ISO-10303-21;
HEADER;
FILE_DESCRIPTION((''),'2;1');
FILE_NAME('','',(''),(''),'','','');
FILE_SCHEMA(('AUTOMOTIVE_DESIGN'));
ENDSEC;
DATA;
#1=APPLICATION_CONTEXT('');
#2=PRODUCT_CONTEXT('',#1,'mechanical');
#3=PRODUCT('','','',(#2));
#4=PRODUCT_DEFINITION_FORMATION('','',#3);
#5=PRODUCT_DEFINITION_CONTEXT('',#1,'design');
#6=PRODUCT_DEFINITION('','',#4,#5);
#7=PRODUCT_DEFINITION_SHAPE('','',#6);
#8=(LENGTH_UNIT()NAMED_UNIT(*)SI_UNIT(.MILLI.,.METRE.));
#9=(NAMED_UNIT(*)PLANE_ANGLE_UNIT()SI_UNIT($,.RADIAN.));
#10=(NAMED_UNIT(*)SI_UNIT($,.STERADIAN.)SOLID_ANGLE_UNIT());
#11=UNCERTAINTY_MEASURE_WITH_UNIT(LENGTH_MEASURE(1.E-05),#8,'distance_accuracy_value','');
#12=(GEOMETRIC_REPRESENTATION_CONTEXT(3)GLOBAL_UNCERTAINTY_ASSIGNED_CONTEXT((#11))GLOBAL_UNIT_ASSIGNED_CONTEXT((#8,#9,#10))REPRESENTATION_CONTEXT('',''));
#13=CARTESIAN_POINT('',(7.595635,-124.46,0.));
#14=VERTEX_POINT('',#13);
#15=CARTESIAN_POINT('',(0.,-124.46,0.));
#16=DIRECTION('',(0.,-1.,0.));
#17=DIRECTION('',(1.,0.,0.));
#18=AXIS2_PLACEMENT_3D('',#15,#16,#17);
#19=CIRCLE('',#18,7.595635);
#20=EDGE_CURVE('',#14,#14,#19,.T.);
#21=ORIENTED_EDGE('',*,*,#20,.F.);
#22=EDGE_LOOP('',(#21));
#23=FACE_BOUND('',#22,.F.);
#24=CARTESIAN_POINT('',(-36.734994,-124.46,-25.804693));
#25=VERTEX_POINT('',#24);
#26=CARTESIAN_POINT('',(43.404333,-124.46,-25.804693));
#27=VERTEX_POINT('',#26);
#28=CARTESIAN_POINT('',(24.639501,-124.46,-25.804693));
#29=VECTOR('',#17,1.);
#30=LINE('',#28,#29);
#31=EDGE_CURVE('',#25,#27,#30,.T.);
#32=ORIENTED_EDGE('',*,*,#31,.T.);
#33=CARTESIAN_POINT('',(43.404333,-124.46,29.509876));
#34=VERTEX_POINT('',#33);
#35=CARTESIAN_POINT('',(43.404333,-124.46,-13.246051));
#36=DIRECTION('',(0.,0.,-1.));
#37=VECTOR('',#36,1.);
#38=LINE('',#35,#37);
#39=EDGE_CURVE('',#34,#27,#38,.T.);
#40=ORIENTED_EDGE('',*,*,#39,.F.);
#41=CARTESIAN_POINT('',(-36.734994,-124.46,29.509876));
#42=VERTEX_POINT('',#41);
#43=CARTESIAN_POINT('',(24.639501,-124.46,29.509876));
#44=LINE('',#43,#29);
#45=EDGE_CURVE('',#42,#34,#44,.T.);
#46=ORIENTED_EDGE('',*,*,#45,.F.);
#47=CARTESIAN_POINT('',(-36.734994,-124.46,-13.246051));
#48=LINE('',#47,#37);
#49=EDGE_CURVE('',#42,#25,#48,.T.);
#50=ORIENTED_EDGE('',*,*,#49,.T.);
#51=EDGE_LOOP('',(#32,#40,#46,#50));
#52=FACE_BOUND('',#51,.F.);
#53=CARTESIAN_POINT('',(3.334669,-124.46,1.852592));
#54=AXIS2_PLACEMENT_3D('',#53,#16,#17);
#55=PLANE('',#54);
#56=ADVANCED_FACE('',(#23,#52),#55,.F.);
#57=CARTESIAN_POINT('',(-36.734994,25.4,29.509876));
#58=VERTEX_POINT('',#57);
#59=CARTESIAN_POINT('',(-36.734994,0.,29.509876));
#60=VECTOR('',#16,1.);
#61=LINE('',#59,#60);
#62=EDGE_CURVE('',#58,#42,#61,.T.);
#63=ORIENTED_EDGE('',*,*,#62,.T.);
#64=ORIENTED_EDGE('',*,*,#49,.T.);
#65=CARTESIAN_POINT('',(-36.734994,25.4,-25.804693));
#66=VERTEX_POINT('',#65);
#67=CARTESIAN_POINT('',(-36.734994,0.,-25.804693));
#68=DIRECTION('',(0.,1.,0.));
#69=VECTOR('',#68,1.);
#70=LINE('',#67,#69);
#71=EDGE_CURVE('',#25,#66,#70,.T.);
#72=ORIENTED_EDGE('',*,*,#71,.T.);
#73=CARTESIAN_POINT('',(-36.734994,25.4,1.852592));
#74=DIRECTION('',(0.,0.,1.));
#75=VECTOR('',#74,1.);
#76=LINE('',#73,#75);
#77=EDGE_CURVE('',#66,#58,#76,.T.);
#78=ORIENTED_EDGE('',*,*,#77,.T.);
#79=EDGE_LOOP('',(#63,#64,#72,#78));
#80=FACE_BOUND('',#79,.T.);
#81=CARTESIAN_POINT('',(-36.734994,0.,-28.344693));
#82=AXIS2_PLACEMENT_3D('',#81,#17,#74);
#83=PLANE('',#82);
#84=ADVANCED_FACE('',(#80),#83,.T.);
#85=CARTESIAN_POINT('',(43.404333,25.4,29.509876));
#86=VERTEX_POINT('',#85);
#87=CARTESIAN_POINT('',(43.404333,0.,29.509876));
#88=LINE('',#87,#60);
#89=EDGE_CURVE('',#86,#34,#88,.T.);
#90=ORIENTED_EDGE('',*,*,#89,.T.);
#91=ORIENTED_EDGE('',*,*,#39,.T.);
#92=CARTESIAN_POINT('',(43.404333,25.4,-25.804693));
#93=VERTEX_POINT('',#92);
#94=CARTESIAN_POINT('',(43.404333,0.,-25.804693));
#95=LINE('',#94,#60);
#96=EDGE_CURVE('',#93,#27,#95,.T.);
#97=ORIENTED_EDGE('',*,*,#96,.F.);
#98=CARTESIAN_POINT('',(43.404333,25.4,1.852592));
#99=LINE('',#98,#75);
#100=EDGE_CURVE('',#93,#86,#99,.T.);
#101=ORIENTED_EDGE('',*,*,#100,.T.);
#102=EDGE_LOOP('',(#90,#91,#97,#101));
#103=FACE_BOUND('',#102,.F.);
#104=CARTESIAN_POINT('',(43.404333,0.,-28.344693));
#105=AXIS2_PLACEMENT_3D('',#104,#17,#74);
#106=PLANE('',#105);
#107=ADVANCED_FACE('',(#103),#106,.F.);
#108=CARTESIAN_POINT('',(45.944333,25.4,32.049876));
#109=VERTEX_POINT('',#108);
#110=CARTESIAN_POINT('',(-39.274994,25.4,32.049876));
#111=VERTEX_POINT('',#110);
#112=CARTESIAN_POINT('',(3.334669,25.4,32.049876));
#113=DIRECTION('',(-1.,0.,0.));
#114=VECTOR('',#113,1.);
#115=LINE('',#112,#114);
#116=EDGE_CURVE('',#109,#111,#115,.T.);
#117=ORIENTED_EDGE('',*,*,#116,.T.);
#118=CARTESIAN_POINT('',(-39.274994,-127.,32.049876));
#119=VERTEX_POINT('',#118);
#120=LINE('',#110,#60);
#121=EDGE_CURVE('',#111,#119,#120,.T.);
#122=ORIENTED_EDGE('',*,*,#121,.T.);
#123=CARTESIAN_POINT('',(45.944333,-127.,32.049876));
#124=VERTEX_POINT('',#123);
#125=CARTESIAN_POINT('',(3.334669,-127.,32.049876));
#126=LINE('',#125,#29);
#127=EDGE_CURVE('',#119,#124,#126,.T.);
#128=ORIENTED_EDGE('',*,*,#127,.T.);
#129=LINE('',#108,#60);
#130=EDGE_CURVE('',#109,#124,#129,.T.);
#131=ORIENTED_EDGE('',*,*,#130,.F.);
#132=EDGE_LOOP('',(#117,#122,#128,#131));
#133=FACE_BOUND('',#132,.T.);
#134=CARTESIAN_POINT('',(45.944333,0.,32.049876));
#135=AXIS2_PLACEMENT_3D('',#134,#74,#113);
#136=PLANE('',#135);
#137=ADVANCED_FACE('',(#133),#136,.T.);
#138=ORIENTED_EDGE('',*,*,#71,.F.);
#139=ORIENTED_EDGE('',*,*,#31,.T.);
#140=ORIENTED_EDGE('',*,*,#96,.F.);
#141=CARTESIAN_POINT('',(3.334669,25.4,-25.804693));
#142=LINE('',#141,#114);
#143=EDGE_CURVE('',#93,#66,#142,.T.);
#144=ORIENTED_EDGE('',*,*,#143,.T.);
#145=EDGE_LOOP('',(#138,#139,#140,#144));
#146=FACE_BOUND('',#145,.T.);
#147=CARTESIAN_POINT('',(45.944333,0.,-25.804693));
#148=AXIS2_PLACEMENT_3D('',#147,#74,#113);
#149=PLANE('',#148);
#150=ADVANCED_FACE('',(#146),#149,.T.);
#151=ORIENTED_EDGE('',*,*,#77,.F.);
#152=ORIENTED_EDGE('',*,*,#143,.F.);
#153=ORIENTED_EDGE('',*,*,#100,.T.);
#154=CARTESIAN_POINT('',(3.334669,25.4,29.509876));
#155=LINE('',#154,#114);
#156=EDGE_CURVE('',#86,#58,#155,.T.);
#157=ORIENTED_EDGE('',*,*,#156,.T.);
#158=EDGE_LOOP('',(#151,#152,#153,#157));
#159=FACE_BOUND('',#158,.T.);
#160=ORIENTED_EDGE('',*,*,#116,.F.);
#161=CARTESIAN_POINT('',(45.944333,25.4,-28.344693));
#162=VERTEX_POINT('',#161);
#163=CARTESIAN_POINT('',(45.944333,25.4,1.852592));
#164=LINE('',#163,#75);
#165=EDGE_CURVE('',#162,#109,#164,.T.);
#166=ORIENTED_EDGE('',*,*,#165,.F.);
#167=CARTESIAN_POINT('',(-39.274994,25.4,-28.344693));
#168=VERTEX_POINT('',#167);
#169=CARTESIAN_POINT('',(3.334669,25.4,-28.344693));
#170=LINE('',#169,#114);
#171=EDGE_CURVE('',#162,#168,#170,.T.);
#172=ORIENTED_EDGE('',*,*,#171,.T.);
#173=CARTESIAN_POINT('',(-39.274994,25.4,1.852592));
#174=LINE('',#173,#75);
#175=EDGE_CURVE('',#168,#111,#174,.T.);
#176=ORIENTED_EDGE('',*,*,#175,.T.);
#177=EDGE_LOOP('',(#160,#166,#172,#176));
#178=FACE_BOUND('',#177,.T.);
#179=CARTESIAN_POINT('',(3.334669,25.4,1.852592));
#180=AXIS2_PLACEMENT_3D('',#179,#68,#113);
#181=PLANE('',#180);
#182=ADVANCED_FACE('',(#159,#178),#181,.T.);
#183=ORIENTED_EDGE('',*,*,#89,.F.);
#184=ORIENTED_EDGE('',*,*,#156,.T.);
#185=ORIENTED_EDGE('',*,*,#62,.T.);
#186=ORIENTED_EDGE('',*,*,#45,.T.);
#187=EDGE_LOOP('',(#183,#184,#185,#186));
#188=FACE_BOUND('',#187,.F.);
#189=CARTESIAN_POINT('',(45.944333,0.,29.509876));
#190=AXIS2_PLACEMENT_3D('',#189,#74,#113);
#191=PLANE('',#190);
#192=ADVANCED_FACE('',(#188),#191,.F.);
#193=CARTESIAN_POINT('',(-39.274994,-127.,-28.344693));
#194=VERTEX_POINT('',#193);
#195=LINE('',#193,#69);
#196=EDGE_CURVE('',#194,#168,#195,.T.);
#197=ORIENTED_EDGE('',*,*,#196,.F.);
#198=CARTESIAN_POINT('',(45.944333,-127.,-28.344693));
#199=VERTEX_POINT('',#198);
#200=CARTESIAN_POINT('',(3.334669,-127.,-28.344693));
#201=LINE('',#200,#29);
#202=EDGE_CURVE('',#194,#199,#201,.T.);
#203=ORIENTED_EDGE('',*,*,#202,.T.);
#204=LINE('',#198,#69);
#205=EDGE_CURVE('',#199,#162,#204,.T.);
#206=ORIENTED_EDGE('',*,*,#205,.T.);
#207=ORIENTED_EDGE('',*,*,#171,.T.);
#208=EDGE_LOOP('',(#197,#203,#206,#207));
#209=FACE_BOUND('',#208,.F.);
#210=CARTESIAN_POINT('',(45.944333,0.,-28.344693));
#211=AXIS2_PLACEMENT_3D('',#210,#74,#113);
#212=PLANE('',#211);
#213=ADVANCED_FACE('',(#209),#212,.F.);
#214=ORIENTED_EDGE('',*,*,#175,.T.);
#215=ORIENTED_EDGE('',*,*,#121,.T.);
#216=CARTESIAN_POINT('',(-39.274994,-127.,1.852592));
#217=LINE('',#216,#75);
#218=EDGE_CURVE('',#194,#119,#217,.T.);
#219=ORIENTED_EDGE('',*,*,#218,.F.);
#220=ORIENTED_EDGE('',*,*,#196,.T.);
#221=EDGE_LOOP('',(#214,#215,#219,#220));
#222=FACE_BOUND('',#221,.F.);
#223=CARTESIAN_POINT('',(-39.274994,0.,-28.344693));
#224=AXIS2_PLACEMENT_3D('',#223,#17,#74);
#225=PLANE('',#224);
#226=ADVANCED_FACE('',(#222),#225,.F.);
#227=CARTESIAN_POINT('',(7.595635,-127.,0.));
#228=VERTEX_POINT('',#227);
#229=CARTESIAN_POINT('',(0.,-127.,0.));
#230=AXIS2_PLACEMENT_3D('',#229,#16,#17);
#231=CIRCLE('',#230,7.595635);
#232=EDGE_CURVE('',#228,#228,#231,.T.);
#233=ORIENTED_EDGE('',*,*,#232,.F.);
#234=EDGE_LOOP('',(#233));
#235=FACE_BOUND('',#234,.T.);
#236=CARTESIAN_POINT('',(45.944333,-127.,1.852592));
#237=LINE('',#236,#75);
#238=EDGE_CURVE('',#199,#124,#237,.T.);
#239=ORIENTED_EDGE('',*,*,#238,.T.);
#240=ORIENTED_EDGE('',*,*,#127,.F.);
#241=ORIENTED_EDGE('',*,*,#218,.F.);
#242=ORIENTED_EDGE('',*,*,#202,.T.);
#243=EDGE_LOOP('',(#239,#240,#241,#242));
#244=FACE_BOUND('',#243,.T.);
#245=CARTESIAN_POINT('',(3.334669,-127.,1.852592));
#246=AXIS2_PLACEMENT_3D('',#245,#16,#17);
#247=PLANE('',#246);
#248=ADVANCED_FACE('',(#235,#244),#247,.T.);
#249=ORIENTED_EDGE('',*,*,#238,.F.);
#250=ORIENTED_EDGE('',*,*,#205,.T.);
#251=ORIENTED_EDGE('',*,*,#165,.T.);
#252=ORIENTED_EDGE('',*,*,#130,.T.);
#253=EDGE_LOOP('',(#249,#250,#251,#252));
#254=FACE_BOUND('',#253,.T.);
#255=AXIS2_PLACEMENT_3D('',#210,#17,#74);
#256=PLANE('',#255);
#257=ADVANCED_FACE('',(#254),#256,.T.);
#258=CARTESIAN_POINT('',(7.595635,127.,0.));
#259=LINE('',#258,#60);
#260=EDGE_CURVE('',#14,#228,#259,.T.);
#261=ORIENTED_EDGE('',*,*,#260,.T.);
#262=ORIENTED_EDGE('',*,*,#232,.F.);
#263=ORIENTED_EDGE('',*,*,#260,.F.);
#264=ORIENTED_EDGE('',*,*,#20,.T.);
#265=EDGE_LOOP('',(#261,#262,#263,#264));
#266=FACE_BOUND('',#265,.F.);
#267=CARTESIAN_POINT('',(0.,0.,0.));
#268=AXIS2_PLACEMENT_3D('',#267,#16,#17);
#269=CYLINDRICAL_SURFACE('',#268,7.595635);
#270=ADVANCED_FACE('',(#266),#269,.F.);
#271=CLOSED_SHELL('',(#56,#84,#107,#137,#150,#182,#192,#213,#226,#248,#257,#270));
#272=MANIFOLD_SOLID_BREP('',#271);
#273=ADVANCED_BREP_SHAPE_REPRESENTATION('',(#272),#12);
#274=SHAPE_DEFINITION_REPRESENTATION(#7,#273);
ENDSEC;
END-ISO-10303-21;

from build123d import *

# Parameters (mm, degrees)
F0_W     = 85.2193273604
F0_H     = 60.3945683688
F1_DEPTH = 127
F2_W     = 85.2193273604
F2_H     = 60.3945683688
F3_DEPTH = 25.4
F4_T     = -2.54
F5_R     = 7.5956350192
F6_DEPTH = 127


with BuildPart() as f1:
    # F0 (on Front) → F1 (new body)
    with BuildSketch(Plane.XZ):
        with Locations((3.3346693963, 1.852591522)):
            Rectangle(F0_W, F0_H)
    extrude(amount=F1_DEPTH)

    # F2 (on face) → F3 (join)
    with BuildSketch(Plane(origin=(0, 0, 0), x_dir=(-1, 0, 0), z_dir=(0, 1, 0))):
        with Locations((-3.3346693963, 1.852591522)):
            Rectangle(F2_W, F2_H)
    extrude(amount=F3_DEPTH)

    # F4
    f4_openings = [f1.faces().sort_by_distance(p)[0] for p in [
        (3.334669, 25.4, 1.852592),
    ]]
    offset(amount=F4_T, openings=f4_openings)

    # F5 (on Front) → F6 (cut, symmetric)
    with BuildSketch(Plane.XZ):
        Circle(F5_R)
    extrude(amount=F6_DEPTH, both=True, mode=Mode.SUBTRACT)


solid = f1.part
